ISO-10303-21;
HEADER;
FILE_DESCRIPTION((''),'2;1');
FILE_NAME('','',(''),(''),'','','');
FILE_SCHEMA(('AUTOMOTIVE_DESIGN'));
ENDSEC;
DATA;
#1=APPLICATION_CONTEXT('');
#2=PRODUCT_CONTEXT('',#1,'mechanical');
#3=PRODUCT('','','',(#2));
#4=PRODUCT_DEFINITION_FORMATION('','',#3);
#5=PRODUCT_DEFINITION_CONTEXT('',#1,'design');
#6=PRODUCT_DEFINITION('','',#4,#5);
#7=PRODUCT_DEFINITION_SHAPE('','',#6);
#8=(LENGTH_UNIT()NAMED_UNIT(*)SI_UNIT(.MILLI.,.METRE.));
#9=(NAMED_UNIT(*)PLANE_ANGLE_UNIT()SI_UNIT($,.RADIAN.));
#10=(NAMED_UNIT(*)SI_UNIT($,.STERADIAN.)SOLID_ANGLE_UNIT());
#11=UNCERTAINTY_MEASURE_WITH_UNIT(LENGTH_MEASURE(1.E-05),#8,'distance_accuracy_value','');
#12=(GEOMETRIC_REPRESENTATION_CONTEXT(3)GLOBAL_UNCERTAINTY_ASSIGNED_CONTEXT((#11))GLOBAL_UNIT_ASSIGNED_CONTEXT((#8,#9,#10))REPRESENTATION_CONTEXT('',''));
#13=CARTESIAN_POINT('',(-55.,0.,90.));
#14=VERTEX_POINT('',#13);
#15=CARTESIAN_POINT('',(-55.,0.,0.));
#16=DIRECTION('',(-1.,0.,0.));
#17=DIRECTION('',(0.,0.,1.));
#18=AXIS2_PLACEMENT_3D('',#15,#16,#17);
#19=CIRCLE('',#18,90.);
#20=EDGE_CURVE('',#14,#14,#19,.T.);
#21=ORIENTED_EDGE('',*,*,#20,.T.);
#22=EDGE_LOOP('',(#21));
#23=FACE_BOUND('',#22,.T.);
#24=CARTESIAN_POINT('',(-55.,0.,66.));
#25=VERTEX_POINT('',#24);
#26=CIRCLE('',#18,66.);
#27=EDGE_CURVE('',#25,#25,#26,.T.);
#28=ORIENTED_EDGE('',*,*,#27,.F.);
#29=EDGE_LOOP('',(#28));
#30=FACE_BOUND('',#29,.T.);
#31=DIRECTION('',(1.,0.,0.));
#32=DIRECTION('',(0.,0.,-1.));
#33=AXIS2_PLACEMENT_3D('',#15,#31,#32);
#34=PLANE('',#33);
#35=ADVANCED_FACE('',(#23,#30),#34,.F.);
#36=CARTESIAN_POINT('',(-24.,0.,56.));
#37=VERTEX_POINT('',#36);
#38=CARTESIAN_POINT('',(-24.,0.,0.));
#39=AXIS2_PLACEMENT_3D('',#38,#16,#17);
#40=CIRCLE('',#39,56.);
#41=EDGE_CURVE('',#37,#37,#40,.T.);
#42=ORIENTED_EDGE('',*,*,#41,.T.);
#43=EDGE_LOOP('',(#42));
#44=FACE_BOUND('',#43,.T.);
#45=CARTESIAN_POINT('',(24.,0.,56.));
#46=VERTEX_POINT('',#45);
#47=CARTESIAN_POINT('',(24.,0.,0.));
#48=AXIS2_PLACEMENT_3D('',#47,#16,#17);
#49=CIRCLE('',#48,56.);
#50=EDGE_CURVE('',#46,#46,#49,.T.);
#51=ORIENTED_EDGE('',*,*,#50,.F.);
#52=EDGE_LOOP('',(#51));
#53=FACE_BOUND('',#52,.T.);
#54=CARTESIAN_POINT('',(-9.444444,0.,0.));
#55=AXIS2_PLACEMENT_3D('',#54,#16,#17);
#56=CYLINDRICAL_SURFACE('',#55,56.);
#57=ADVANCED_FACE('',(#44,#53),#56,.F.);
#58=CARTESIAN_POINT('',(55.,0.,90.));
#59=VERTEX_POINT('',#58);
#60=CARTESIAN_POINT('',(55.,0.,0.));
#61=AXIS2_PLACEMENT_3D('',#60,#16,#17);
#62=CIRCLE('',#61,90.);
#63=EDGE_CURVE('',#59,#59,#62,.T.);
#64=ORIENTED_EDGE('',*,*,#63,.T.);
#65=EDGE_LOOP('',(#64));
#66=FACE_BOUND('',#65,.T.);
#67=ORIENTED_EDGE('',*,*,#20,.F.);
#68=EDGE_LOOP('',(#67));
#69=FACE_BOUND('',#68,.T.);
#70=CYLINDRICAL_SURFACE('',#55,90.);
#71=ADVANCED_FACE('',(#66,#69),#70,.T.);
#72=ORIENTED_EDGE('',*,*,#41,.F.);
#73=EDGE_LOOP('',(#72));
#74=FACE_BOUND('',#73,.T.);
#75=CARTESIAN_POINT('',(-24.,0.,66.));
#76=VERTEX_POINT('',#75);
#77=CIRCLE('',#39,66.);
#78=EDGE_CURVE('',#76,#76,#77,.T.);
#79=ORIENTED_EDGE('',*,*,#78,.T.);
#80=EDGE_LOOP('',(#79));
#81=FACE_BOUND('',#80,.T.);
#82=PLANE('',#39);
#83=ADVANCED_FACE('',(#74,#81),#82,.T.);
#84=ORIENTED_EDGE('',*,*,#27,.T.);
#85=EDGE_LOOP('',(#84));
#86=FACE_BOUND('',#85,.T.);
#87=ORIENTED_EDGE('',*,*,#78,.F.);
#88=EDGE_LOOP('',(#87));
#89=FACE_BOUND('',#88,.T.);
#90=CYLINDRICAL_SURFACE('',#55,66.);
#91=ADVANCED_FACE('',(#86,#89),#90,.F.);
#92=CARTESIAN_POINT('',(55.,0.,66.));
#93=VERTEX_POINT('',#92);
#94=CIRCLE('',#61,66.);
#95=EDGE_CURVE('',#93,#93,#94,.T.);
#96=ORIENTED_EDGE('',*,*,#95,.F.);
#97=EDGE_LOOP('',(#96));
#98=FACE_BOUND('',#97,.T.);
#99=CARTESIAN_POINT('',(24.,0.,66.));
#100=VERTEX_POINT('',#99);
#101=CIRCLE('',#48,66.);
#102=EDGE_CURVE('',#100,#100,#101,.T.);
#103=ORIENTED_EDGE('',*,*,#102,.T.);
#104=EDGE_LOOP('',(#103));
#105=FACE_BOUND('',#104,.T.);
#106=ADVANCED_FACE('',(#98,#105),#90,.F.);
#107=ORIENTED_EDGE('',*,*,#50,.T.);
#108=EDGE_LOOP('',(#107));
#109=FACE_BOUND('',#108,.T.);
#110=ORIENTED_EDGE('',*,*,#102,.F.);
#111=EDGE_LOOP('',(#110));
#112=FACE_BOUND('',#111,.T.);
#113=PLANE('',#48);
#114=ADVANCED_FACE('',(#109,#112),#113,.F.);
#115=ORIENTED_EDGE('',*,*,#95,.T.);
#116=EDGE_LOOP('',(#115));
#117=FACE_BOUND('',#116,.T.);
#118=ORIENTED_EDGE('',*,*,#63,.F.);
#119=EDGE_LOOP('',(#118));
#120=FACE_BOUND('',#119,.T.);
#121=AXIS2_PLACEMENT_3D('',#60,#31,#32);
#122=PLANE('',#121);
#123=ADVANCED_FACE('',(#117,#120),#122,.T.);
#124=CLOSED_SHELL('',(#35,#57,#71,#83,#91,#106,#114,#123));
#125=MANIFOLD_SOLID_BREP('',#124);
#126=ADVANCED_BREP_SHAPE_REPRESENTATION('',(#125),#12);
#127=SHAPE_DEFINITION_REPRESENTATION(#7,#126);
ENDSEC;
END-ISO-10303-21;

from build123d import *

# Parameters (mm, degrees)
SKETCH1_W   = 110
SKETCH1_H   = 24
SKETCH1_W_2 = 48
SKETCH1_H_2 = 10


with BuildPart() as part:
    # Sketch1 → Revolve1 (revolve)
    with BuildSketch(Plane.XY):
        with Locations((0, 78)):
            Rectangle(SKETCH1_W, SKETCH1_H)
        with Locations((0, 61)):
            Rectangle(SKETCH1_W_2, SKETCH1_H_2)
    revolve(axis=Axis((-9.444444444, 0, 0), (1, 0, 0)))


solid = part.part
